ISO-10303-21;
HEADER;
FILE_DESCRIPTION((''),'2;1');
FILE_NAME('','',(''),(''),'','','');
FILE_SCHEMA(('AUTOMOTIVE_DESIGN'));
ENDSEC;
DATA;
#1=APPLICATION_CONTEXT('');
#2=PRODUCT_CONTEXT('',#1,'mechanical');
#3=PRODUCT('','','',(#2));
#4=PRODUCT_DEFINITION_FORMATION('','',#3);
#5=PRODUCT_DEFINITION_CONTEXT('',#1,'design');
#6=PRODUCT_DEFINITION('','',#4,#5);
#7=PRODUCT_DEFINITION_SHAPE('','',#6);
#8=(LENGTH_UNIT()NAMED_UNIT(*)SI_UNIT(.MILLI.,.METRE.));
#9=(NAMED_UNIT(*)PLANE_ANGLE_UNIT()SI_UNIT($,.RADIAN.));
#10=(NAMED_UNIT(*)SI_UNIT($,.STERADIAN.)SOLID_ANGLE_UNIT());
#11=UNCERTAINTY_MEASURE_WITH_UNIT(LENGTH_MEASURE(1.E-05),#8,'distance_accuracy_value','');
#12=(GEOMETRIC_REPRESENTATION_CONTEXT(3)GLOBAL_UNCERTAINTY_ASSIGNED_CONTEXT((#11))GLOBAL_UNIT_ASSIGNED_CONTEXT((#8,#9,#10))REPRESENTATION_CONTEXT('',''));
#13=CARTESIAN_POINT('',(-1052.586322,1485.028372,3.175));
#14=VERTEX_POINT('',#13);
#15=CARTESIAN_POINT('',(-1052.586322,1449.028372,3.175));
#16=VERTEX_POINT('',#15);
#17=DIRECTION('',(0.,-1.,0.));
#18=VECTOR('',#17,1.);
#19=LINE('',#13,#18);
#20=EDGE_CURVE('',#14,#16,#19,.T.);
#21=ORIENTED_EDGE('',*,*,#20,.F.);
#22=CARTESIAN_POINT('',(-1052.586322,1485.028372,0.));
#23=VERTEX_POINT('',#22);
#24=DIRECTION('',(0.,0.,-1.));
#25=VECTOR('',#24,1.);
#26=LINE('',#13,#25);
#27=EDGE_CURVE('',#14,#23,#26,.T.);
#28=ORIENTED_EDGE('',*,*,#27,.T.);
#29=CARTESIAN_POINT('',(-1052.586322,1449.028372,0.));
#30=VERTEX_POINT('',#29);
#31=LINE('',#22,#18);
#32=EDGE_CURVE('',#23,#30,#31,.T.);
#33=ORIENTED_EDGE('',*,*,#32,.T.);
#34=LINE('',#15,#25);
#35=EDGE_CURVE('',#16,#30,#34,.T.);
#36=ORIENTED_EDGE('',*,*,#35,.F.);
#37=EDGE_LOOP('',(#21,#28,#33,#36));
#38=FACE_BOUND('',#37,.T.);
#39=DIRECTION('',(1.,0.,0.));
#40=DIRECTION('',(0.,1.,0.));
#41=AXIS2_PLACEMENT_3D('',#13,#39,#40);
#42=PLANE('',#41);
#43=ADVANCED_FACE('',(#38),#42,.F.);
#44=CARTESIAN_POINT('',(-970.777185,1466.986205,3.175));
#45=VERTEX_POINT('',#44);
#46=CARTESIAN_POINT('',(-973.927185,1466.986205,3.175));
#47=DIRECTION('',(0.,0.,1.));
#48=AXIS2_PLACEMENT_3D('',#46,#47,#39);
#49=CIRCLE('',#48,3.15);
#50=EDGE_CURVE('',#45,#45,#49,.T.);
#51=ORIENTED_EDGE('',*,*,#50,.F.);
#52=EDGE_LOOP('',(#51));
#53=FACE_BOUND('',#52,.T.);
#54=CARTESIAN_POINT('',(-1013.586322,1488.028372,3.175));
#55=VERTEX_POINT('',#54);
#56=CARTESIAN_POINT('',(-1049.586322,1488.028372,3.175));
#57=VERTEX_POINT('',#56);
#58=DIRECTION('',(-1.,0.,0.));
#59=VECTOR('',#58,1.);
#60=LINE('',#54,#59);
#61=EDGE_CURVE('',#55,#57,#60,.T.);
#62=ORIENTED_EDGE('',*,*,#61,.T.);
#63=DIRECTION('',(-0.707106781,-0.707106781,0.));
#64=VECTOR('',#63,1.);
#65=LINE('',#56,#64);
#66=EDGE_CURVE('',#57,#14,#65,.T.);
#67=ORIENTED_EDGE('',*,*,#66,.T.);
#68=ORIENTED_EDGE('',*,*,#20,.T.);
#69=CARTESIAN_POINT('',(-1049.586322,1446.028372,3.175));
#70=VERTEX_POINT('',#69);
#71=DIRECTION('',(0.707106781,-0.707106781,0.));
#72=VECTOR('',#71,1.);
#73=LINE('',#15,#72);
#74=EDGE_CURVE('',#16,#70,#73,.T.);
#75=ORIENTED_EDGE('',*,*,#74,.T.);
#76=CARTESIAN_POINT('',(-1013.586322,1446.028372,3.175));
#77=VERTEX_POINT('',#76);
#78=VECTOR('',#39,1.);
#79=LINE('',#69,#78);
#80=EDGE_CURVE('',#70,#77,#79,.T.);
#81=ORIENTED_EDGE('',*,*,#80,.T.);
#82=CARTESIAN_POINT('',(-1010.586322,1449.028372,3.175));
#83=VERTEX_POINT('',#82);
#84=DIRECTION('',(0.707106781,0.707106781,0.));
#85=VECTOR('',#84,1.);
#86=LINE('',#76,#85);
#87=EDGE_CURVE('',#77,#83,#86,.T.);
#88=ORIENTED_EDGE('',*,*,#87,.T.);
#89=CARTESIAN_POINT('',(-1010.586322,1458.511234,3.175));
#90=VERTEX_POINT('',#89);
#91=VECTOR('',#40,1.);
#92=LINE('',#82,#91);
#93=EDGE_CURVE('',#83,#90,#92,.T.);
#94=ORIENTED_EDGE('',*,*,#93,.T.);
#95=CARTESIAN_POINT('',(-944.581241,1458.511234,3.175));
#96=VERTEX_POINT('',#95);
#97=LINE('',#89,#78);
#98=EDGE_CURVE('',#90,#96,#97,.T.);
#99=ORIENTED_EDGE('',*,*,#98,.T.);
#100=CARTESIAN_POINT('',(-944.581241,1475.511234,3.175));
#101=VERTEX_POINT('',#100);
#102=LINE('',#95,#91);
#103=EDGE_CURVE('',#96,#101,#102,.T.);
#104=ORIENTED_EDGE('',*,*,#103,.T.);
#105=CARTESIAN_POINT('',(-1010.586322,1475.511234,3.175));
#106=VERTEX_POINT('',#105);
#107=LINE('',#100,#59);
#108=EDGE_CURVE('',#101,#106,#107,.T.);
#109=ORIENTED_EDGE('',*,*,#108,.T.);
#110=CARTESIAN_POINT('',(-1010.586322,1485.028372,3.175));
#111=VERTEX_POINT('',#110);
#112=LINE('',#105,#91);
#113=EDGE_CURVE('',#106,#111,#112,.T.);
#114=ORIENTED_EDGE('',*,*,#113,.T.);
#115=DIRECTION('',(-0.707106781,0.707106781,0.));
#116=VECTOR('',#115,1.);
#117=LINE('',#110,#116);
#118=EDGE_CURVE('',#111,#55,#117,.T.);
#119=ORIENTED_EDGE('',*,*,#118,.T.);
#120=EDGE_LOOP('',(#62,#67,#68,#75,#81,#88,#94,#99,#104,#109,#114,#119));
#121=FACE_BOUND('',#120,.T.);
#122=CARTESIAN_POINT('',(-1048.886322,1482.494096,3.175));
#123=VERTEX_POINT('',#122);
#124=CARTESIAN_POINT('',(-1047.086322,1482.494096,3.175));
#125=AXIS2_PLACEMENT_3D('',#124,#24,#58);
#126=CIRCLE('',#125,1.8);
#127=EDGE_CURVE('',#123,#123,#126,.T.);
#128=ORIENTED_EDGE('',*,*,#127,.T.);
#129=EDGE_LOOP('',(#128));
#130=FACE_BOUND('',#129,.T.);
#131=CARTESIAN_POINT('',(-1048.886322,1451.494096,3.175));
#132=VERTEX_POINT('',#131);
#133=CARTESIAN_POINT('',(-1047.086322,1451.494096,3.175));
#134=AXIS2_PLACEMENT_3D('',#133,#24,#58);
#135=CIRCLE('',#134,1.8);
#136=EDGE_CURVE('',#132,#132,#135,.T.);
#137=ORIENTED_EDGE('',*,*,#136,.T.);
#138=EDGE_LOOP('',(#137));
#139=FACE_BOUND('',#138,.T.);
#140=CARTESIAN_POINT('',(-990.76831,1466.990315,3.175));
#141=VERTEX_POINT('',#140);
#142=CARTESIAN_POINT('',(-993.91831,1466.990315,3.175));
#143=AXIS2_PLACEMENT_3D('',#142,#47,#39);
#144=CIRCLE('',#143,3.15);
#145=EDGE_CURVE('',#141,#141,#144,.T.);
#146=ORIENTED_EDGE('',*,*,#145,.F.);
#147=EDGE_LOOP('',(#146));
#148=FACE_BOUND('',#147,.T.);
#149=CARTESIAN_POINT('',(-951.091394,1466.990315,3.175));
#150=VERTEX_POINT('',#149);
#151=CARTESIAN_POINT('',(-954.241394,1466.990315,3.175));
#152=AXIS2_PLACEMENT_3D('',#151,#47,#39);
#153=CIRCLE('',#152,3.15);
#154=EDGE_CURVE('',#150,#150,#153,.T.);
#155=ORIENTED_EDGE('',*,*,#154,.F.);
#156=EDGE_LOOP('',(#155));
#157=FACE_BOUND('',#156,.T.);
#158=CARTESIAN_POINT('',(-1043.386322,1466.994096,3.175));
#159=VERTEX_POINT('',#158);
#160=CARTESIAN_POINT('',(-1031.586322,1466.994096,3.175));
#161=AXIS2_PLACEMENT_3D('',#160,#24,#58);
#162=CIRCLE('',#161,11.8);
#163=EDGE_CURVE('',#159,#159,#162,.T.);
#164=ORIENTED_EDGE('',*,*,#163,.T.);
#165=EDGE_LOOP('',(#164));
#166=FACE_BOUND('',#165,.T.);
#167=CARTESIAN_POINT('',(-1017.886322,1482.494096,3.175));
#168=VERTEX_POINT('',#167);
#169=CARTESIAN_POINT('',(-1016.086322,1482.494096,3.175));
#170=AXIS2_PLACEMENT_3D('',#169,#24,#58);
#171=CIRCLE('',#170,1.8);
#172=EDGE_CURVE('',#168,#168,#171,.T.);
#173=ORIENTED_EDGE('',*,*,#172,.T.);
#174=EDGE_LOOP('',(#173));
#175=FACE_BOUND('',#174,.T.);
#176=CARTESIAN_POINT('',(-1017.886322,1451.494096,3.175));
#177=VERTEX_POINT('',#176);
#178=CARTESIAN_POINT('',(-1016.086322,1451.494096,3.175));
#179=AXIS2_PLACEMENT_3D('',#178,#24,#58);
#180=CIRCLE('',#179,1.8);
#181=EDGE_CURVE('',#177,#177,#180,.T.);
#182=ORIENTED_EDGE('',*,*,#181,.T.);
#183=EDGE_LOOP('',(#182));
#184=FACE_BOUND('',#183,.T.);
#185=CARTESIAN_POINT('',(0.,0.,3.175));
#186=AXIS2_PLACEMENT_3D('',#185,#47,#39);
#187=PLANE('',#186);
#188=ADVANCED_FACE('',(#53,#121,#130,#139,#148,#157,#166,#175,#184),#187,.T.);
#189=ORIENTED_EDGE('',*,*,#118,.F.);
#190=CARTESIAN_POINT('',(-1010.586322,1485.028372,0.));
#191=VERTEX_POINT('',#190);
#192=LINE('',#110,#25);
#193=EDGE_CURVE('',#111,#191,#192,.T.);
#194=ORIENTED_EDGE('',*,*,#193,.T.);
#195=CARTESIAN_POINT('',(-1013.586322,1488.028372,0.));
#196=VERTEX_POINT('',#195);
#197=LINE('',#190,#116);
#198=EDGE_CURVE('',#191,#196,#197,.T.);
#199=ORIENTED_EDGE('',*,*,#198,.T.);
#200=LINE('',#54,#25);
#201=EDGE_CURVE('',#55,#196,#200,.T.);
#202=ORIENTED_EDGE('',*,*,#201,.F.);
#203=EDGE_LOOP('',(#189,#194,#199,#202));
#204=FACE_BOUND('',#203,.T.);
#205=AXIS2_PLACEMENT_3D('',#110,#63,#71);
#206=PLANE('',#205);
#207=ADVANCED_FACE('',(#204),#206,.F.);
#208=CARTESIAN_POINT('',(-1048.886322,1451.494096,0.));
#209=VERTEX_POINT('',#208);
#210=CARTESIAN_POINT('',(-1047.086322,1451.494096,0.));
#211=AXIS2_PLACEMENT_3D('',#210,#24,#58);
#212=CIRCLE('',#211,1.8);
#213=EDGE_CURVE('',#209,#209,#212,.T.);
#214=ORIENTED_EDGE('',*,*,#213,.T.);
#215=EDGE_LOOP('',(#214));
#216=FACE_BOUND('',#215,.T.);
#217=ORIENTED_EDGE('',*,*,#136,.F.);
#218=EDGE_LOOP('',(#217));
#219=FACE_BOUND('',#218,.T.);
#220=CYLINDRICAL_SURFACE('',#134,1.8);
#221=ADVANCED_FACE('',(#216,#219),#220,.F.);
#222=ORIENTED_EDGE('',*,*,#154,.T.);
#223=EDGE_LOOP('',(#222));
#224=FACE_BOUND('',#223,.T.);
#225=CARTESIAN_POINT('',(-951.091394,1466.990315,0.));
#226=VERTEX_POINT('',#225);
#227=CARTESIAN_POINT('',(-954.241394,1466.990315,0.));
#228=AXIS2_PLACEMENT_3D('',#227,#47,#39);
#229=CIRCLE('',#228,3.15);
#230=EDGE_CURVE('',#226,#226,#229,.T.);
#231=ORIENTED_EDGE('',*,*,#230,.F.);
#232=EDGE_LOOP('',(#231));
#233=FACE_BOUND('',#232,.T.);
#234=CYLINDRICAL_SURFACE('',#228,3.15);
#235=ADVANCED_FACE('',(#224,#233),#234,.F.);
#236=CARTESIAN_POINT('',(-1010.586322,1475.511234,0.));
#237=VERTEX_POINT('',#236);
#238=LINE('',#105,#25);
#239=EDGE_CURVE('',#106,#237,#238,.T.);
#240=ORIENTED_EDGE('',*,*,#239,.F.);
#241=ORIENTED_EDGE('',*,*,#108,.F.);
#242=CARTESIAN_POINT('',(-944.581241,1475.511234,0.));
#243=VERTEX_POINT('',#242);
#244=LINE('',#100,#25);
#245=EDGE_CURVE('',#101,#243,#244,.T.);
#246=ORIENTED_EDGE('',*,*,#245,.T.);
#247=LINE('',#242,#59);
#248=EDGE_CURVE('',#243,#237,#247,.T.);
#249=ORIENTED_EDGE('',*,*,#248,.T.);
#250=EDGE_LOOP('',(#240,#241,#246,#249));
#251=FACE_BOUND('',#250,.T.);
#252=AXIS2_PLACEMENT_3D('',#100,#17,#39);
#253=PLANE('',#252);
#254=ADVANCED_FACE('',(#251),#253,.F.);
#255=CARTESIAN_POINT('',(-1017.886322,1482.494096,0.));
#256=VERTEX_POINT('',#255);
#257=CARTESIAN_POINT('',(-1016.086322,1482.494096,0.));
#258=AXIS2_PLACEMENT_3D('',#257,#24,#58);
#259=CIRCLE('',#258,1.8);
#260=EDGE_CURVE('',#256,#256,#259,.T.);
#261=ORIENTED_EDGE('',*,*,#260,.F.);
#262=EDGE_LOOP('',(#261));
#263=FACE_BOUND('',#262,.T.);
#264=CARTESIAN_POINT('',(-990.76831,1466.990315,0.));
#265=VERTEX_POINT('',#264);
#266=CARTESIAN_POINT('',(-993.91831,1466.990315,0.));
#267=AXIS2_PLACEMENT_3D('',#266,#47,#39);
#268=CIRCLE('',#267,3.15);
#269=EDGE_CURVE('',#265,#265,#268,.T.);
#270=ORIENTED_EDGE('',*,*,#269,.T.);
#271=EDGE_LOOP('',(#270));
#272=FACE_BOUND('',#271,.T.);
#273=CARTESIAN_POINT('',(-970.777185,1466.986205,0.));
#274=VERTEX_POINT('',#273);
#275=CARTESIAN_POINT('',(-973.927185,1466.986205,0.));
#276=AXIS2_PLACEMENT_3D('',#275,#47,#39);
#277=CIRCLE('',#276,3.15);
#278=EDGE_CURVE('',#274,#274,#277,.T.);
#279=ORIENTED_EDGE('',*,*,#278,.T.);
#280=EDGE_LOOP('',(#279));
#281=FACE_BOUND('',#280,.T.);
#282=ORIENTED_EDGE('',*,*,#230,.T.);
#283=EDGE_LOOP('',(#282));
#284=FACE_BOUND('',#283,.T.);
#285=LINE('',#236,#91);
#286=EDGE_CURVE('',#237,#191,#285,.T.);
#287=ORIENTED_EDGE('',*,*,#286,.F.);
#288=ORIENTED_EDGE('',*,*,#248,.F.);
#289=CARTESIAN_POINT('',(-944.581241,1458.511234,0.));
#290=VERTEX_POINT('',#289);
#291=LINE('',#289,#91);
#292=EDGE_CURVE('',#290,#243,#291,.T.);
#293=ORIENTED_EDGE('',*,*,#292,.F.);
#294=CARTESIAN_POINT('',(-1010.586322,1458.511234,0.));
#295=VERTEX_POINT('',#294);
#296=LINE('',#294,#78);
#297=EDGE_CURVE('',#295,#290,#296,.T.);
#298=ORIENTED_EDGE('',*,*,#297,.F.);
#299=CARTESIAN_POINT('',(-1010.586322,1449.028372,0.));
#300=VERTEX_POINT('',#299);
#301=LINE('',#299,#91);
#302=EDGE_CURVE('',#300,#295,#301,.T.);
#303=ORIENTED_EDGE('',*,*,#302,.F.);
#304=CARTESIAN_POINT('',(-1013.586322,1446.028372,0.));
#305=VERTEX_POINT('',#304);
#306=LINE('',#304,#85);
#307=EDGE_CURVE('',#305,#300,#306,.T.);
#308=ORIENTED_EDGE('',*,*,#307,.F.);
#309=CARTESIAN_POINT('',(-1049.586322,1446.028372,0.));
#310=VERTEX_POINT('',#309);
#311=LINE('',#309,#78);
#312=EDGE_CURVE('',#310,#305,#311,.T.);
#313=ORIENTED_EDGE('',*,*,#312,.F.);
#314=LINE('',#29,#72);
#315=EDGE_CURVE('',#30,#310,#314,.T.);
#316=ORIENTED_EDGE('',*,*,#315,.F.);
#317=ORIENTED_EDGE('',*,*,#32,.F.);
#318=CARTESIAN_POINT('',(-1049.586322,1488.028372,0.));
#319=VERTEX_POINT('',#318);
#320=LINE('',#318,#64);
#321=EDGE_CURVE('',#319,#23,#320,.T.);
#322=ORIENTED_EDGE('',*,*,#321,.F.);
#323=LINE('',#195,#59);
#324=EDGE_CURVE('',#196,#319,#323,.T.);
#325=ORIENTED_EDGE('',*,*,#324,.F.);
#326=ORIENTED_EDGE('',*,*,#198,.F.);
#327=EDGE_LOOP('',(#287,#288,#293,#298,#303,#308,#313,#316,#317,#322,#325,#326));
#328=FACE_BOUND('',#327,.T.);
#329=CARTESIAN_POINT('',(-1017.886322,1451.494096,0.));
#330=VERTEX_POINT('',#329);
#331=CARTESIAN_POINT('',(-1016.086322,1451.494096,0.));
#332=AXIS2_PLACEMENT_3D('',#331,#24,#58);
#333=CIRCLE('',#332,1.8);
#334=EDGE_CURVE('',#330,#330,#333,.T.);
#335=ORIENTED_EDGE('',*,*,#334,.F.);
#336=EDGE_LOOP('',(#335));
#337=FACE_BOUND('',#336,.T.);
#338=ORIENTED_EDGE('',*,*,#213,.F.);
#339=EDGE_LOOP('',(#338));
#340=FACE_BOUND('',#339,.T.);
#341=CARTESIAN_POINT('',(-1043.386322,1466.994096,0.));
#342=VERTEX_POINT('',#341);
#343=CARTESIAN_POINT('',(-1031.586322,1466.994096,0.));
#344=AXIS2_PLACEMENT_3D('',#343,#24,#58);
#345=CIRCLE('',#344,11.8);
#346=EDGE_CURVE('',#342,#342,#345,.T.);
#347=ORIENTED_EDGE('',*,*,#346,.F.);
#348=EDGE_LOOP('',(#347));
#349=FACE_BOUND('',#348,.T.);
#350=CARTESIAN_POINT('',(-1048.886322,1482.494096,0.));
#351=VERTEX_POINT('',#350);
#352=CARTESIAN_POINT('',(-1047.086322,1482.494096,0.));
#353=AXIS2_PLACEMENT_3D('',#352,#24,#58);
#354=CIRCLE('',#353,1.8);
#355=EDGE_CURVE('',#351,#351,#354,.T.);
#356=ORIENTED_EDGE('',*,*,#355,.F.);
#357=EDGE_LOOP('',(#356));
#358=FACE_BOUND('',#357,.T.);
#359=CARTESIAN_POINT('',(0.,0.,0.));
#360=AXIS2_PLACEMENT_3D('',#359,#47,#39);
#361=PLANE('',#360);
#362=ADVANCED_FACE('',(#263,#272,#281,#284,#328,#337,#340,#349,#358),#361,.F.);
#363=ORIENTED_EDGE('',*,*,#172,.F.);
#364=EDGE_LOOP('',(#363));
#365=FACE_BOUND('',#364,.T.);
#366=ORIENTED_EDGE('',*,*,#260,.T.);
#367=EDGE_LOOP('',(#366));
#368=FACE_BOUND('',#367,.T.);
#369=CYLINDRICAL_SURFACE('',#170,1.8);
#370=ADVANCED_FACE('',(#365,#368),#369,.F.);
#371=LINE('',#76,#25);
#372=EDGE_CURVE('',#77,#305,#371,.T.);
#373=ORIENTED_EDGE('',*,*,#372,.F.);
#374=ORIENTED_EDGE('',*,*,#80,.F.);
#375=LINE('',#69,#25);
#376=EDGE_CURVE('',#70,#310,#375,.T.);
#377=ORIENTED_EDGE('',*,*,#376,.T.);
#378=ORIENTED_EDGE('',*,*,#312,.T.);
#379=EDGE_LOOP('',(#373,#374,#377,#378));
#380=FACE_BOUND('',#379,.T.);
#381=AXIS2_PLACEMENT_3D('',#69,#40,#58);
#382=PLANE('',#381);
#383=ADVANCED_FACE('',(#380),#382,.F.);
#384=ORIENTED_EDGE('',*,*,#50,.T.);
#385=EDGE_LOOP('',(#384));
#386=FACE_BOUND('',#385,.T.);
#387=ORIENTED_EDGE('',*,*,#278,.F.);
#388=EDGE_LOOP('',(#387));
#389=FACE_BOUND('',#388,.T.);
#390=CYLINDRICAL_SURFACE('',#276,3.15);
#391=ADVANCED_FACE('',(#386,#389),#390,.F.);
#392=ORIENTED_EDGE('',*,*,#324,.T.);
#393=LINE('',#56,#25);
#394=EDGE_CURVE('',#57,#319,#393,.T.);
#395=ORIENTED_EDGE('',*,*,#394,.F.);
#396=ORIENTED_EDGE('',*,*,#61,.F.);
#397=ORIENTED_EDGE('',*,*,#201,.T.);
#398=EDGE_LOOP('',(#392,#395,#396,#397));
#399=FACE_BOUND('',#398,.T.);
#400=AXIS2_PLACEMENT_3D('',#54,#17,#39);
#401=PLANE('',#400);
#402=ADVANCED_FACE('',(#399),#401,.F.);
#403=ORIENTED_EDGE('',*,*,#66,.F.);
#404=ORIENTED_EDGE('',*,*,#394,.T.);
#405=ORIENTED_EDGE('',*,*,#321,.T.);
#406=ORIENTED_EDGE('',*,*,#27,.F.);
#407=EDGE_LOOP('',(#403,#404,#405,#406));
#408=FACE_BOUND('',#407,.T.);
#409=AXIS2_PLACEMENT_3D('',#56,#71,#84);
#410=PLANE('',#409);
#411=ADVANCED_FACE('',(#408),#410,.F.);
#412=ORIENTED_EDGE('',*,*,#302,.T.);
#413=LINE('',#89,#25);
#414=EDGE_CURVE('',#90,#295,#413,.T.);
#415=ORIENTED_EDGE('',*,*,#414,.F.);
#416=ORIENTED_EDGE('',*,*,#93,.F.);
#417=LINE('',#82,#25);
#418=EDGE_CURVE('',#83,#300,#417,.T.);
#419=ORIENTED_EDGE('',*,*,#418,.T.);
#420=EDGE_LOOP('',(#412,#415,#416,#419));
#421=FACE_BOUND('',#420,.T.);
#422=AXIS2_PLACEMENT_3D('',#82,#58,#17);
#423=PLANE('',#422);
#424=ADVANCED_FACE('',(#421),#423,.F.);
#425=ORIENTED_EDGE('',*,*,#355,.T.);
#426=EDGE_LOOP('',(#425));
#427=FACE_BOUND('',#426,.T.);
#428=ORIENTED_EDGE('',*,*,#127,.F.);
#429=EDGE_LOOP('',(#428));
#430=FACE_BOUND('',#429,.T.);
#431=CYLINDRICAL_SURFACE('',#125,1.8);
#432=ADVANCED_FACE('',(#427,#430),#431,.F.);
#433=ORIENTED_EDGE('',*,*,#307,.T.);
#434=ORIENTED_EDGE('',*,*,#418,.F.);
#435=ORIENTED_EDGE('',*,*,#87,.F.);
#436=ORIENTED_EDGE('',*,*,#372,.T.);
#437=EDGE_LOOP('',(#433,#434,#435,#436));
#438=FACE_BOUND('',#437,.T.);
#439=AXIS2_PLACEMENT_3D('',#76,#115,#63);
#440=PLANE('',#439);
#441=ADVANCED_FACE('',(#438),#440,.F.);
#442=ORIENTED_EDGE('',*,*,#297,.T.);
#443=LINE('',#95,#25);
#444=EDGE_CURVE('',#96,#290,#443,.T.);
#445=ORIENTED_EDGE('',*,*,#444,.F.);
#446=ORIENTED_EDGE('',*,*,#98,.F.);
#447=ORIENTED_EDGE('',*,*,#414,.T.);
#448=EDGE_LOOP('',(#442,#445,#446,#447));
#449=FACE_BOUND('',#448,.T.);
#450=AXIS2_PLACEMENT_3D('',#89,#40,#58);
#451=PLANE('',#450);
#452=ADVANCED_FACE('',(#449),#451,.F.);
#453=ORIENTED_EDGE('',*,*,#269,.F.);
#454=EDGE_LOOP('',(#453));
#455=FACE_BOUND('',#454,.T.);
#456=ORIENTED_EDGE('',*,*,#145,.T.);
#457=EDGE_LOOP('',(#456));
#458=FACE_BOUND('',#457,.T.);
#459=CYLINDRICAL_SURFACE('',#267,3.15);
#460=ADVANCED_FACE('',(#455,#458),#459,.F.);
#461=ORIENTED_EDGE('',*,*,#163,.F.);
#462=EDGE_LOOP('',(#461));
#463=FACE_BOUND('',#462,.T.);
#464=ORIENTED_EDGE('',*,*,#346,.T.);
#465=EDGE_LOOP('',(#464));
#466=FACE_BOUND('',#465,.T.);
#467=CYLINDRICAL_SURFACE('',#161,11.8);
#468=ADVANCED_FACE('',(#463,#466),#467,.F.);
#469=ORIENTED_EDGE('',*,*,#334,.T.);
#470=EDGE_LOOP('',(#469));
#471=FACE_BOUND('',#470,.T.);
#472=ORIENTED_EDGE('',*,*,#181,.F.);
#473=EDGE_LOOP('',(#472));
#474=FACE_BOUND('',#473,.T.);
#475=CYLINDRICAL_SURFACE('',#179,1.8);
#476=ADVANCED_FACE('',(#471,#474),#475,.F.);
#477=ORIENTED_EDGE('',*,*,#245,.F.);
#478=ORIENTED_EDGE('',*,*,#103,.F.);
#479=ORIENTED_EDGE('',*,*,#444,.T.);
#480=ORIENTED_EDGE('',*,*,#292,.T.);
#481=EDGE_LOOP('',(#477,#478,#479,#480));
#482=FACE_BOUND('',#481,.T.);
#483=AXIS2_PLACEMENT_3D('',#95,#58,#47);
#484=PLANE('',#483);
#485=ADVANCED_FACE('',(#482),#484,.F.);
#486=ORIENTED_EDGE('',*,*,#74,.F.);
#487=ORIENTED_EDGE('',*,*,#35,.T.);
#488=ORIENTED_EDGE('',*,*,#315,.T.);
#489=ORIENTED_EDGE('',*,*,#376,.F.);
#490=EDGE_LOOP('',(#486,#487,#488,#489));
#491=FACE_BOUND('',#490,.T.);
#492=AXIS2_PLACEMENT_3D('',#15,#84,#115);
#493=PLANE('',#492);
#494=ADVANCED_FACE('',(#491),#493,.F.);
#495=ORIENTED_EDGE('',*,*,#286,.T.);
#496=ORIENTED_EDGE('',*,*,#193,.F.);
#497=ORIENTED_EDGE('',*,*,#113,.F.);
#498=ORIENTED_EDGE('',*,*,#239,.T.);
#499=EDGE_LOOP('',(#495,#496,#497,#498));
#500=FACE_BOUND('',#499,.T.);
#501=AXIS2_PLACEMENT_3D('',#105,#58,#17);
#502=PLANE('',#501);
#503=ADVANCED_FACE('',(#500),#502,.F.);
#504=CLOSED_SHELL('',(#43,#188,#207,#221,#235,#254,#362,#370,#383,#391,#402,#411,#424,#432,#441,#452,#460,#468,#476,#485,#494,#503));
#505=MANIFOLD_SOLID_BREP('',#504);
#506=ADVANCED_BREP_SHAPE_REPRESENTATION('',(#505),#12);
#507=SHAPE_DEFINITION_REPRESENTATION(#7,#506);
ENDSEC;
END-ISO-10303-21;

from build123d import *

# Parameters (mm, degrees)
BOSS_EXTRUDE1_DEPTH = 3.175
SKETCH3_R           = 11.8
SKETCH3_R_2         = 1.8
CUT_EXTRUDE1_DEPTH  = 1823.683867823
SKETCH4_R           = 3.15
CUT_EXTRUDE2_DEPTH  = 1823.683867823


with BuildPart() as part:
    # Sketch1 → Boss-Extrude1 (new body)
    with BuildSketch(Plane.XY):
        Polygon((-1010.58632196, 1449.028372115), (-1010.58632196, 1458.511234066), (-944.581241408, 1458.511234066), (-944.581241408, 1475.511234066), (-1010.58632196, 1475.511234066), (-1010.58632196, 1485.028372115), (-1013.58632196, 1488.028372115), (-1049.58632196, 1488.028372115), (-1052.58632196, 1485.028372115), (-1052.58632196, 1449.028372115), (-1049.58632196, 1446.028372115), (-1013.58632196, 1446.028372115), align=None)
    extrude(amount=BOSS_EXTRUDE1_DEPTH)

    # Sketch3 → Cut-Extrude1 (cut, through all)
    with BuildSketch(Plane(origin=(0, 0, 0), x_dir=(-1, 0, 0), z_dir=(0, 0, -1))):
        with Locations((1031.58632196, 1466.994096018)):
            Circle(SKETCH3_R)
        with Locations((1047.08632196, 1482.494096018)):
            Circle(SKETCH3_R_2)
        with Locations((1047.08632196, 1451.494096018)):
            Circle(SKETCH3_R_2)
        with Locations((1016.08632196, 1451.494096018)):
            Circle(SKETCH3_R_2)
        with Locations((1016.08632196, 1482.494096018)):
            Circle(SKETCH3_R_2)
    extrude(amount=-CUT_EXTRUDE1_DEPTH, mode=Mode.SUBTRACT)

    # Sketch4 → Cut-Extrude2 (cut, through all)
    with BuildSketch(Plane.XY.offset(3.175)):
        with Locations((-973.927184785, 1466.986205253)):
            Circle(SKETCH4_R)
        with Locations((-993.918310147, 1466.990315025)):
            Circle(SKETCH4_R)
        with Locations((-954.241393614, 1466.990315025)):
            Circle(SKETCH4_R)
    extrude(amount=-CUT_EXTRUDE2_DEPTH, mode=Mode.SUBTRACT)


solid = part.part
